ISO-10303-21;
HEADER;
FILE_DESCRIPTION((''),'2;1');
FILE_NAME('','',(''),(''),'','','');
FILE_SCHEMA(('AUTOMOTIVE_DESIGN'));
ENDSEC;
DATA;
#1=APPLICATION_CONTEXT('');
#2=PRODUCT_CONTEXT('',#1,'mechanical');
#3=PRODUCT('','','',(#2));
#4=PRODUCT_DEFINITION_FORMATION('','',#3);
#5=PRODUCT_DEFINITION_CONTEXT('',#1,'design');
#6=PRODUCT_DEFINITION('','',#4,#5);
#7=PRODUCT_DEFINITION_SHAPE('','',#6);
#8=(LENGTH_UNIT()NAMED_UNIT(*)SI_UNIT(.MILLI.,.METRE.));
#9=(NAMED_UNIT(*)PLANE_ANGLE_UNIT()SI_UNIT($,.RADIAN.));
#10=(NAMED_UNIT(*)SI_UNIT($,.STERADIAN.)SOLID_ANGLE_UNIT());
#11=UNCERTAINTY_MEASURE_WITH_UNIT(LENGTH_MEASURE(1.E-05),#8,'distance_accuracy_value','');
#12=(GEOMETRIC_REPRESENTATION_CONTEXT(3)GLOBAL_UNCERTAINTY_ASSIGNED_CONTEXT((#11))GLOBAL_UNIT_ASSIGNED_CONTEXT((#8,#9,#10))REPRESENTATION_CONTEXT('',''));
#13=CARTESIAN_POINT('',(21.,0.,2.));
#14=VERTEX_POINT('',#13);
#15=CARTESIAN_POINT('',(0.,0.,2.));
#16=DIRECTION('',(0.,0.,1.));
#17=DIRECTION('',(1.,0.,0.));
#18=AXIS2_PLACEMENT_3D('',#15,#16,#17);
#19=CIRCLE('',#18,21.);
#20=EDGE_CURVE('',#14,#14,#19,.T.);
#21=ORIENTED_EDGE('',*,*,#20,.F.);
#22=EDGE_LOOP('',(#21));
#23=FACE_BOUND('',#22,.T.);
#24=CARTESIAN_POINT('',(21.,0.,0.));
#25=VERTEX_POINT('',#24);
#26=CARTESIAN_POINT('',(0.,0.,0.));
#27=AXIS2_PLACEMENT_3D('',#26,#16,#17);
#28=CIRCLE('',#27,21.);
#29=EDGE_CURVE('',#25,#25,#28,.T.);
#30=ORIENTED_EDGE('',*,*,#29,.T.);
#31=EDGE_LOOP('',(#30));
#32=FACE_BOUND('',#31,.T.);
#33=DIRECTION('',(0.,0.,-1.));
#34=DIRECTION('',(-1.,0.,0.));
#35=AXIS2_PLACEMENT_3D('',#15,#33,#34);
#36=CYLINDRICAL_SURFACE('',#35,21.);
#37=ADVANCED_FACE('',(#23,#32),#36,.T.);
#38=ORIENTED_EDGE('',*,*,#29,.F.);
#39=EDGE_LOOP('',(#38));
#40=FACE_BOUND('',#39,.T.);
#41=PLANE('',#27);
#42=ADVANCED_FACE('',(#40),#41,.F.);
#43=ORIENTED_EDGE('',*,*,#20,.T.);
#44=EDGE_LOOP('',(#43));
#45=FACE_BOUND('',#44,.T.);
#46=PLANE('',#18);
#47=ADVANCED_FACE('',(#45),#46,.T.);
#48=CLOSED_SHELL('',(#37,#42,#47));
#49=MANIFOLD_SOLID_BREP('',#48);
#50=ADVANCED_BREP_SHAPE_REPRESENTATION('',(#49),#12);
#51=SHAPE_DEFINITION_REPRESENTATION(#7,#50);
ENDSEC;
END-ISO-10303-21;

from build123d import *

# Parameters (mm, degrees)
SKETCH_1_R      = 21
EXTRUDE_1_DEPTH = 2


with BuildPart() as part:
    # Эскиз1 → Бобышка-Вытянуть1 (new body)
    with BuildSketch(Plane.XY):
        Circle(SKETCH_1_R)
    extrude(amount=EXTRUDE_1_DEPTH)


solid = part.part
